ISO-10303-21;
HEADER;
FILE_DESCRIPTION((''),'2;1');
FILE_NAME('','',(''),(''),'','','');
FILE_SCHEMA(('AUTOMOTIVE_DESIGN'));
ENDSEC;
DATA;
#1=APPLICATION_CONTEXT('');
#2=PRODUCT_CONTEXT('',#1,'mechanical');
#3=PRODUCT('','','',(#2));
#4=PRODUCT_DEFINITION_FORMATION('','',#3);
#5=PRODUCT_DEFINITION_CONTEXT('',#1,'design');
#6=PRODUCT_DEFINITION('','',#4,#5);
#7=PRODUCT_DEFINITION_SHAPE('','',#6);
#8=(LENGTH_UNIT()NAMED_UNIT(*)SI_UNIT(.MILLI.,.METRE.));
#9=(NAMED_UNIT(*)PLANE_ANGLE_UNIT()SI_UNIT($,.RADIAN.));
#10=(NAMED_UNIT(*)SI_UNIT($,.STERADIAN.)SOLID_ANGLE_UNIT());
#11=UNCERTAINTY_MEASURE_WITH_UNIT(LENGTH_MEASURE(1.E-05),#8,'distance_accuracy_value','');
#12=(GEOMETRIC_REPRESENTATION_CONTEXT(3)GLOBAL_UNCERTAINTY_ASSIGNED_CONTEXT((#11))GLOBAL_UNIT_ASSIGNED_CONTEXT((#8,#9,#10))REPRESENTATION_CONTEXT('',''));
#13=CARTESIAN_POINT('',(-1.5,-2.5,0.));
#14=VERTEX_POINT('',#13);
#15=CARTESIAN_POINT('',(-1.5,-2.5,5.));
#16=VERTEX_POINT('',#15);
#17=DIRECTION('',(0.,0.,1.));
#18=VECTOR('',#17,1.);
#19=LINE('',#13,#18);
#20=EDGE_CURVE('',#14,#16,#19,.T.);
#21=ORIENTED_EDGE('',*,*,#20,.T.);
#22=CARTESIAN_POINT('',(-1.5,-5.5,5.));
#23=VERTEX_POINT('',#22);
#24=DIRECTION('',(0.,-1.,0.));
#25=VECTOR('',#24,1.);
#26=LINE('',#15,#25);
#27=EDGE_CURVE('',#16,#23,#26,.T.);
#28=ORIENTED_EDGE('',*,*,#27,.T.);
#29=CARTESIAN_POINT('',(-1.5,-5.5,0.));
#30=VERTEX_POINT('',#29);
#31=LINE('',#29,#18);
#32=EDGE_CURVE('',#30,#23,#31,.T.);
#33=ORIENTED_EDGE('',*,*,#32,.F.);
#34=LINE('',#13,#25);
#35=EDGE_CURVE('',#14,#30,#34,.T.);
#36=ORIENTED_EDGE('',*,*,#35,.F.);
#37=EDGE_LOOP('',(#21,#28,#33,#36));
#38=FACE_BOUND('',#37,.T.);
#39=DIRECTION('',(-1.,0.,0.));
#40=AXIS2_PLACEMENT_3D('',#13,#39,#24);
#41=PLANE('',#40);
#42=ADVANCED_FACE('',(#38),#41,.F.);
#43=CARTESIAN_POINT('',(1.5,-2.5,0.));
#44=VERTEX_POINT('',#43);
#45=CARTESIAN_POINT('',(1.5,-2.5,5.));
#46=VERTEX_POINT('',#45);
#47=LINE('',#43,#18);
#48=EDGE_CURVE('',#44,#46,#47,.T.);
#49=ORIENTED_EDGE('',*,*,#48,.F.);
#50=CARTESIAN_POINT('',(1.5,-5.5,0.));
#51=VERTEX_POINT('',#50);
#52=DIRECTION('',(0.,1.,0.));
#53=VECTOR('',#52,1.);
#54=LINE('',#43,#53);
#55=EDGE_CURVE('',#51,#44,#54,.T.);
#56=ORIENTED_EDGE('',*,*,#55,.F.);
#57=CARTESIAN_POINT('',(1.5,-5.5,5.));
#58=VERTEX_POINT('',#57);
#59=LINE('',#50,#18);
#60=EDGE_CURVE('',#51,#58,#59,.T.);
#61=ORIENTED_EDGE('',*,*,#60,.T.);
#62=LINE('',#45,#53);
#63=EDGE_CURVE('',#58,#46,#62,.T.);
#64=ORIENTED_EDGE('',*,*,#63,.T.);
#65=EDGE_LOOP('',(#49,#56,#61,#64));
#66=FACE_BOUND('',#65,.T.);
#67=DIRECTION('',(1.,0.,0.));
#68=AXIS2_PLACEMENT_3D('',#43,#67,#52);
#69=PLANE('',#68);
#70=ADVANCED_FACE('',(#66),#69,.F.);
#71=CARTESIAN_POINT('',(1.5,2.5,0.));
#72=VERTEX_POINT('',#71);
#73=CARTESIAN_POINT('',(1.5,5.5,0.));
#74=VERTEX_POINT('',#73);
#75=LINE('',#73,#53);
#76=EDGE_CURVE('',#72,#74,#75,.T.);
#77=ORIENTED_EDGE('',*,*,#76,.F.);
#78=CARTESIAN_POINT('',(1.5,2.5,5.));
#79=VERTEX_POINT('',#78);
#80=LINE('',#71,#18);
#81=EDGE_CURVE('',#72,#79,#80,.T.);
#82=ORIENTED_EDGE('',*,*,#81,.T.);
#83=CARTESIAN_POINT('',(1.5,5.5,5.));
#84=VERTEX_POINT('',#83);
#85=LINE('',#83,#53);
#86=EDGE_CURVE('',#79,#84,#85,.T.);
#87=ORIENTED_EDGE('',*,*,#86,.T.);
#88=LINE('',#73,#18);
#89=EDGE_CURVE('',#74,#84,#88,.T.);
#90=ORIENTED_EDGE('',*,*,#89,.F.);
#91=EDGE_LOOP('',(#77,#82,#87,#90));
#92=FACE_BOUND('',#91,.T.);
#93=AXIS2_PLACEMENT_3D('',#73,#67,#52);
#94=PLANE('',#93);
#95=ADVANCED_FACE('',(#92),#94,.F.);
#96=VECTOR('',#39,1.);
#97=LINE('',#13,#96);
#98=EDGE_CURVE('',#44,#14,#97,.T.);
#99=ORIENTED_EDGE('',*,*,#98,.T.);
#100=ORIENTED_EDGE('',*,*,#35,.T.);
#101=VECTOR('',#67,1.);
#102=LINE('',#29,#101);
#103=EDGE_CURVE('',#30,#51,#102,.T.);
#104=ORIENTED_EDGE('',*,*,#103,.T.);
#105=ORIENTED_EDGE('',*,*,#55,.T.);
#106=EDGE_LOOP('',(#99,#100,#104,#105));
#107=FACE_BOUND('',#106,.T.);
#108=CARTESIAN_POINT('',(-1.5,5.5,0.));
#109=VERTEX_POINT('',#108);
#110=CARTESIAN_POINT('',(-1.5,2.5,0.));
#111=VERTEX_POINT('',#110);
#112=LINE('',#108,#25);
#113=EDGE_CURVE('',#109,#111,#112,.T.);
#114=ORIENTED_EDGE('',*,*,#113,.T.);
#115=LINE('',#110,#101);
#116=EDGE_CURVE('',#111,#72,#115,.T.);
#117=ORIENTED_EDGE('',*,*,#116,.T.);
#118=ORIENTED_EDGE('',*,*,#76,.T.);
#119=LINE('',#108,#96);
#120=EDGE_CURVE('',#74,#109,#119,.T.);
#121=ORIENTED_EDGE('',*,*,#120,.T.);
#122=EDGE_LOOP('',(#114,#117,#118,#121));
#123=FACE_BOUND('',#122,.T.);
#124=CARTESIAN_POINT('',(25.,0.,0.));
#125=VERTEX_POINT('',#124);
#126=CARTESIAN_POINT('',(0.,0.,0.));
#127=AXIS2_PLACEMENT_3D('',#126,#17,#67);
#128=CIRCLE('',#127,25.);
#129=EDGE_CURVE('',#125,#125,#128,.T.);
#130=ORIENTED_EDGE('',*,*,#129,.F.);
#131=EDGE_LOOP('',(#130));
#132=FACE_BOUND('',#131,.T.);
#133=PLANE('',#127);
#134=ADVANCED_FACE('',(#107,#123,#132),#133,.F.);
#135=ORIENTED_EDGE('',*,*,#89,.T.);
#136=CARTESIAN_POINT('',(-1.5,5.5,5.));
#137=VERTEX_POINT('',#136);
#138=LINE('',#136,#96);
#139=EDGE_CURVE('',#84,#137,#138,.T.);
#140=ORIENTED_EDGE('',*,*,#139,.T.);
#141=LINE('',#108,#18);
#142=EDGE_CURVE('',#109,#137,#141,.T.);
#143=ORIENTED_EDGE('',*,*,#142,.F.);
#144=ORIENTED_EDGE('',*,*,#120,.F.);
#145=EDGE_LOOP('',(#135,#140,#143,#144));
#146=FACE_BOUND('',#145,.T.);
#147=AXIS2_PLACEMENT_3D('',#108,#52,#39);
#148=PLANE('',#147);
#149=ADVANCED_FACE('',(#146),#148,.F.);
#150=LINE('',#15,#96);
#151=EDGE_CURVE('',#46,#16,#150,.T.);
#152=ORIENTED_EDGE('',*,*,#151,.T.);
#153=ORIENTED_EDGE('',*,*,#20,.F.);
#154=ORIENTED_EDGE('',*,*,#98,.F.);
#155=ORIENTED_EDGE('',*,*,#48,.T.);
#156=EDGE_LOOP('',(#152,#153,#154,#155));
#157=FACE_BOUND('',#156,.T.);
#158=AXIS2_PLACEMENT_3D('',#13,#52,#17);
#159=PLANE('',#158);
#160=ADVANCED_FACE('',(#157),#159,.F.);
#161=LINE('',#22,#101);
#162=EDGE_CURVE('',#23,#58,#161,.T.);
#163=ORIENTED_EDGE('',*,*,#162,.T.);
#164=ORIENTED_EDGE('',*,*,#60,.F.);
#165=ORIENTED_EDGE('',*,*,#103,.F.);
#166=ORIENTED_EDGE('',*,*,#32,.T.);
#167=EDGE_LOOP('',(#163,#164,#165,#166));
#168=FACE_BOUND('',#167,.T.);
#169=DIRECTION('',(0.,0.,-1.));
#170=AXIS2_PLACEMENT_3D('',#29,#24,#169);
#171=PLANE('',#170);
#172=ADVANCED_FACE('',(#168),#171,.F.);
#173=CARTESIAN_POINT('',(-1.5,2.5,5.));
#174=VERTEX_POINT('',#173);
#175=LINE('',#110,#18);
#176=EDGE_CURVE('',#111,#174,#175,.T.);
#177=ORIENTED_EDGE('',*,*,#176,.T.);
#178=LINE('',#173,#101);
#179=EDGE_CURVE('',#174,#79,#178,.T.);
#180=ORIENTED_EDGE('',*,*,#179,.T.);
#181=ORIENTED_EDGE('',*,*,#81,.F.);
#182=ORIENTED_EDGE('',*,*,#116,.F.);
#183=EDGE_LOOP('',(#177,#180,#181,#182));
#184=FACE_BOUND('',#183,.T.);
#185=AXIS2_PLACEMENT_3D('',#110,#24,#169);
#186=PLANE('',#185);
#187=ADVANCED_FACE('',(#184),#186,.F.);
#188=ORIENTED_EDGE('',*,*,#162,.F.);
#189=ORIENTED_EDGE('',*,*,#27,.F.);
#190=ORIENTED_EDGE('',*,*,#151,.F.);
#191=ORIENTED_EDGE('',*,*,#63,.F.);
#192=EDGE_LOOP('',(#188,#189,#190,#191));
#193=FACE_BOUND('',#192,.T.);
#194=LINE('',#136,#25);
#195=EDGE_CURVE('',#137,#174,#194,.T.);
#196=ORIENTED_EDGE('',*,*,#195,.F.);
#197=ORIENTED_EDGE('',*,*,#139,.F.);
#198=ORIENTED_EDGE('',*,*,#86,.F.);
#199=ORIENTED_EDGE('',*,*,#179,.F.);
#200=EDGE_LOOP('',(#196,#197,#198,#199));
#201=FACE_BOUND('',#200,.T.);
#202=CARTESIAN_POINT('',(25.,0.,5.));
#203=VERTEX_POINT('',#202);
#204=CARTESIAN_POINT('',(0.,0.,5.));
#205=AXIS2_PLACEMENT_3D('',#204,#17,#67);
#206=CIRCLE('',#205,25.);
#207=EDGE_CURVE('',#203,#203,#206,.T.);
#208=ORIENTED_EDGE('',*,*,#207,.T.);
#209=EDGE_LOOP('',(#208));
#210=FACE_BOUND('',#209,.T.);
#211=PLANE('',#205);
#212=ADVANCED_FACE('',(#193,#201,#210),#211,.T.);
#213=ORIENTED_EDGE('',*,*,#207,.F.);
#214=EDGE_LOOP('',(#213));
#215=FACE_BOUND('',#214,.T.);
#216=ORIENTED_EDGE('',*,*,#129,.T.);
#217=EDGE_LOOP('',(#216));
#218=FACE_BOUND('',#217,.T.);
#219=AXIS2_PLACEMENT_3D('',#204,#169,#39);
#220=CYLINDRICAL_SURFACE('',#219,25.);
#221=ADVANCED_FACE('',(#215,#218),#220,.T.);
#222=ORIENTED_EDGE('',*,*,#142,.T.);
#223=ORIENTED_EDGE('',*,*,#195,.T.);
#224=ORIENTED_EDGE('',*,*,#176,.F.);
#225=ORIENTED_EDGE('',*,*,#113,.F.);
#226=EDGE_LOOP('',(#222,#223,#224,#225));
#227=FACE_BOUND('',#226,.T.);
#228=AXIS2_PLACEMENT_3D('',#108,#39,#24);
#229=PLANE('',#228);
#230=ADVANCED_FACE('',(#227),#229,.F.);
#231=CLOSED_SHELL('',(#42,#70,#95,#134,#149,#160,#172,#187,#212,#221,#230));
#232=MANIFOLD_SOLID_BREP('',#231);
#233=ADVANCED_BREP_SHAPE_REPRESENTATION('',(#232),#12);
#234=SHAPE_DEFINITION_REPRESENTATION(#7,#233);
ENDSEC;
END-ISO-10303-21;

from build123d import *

# Parameters (mm, degrees)
SKETCH1_R           = 25
BOSS_EXTRUDE1_DEPTH = 5
SKETCH2_W           = 3
SKETCH2_H           = 3
CUT_EXTRUDE1_DEPTH  = 36.707142143


with BuildPart() as part:
    # Sketch1 → Boss-Extrude1 (new body)
    with BuildSketch(Plane.XY):
        Circle(SKETCH1_R)
    extrude(amount=BOSS_EXTRUDE1_DEPTH)

    # Sketch2 → Cut-Extrude1 (cut, through all)
    with BuildSketch(Plane.XY.offset(5)):
        with Locations((0, -4)):
            Rectangle(SKETCH2_W, SKETCH2_H)
        with Locations((0, 4)):
            Rectangle(SKETCH2_W, SKETCH2_H)
    extrude(amount=-CUT_EXTRUDE1_DEPTH, mode=Mode.SUBTRACT)


solid = part.part
